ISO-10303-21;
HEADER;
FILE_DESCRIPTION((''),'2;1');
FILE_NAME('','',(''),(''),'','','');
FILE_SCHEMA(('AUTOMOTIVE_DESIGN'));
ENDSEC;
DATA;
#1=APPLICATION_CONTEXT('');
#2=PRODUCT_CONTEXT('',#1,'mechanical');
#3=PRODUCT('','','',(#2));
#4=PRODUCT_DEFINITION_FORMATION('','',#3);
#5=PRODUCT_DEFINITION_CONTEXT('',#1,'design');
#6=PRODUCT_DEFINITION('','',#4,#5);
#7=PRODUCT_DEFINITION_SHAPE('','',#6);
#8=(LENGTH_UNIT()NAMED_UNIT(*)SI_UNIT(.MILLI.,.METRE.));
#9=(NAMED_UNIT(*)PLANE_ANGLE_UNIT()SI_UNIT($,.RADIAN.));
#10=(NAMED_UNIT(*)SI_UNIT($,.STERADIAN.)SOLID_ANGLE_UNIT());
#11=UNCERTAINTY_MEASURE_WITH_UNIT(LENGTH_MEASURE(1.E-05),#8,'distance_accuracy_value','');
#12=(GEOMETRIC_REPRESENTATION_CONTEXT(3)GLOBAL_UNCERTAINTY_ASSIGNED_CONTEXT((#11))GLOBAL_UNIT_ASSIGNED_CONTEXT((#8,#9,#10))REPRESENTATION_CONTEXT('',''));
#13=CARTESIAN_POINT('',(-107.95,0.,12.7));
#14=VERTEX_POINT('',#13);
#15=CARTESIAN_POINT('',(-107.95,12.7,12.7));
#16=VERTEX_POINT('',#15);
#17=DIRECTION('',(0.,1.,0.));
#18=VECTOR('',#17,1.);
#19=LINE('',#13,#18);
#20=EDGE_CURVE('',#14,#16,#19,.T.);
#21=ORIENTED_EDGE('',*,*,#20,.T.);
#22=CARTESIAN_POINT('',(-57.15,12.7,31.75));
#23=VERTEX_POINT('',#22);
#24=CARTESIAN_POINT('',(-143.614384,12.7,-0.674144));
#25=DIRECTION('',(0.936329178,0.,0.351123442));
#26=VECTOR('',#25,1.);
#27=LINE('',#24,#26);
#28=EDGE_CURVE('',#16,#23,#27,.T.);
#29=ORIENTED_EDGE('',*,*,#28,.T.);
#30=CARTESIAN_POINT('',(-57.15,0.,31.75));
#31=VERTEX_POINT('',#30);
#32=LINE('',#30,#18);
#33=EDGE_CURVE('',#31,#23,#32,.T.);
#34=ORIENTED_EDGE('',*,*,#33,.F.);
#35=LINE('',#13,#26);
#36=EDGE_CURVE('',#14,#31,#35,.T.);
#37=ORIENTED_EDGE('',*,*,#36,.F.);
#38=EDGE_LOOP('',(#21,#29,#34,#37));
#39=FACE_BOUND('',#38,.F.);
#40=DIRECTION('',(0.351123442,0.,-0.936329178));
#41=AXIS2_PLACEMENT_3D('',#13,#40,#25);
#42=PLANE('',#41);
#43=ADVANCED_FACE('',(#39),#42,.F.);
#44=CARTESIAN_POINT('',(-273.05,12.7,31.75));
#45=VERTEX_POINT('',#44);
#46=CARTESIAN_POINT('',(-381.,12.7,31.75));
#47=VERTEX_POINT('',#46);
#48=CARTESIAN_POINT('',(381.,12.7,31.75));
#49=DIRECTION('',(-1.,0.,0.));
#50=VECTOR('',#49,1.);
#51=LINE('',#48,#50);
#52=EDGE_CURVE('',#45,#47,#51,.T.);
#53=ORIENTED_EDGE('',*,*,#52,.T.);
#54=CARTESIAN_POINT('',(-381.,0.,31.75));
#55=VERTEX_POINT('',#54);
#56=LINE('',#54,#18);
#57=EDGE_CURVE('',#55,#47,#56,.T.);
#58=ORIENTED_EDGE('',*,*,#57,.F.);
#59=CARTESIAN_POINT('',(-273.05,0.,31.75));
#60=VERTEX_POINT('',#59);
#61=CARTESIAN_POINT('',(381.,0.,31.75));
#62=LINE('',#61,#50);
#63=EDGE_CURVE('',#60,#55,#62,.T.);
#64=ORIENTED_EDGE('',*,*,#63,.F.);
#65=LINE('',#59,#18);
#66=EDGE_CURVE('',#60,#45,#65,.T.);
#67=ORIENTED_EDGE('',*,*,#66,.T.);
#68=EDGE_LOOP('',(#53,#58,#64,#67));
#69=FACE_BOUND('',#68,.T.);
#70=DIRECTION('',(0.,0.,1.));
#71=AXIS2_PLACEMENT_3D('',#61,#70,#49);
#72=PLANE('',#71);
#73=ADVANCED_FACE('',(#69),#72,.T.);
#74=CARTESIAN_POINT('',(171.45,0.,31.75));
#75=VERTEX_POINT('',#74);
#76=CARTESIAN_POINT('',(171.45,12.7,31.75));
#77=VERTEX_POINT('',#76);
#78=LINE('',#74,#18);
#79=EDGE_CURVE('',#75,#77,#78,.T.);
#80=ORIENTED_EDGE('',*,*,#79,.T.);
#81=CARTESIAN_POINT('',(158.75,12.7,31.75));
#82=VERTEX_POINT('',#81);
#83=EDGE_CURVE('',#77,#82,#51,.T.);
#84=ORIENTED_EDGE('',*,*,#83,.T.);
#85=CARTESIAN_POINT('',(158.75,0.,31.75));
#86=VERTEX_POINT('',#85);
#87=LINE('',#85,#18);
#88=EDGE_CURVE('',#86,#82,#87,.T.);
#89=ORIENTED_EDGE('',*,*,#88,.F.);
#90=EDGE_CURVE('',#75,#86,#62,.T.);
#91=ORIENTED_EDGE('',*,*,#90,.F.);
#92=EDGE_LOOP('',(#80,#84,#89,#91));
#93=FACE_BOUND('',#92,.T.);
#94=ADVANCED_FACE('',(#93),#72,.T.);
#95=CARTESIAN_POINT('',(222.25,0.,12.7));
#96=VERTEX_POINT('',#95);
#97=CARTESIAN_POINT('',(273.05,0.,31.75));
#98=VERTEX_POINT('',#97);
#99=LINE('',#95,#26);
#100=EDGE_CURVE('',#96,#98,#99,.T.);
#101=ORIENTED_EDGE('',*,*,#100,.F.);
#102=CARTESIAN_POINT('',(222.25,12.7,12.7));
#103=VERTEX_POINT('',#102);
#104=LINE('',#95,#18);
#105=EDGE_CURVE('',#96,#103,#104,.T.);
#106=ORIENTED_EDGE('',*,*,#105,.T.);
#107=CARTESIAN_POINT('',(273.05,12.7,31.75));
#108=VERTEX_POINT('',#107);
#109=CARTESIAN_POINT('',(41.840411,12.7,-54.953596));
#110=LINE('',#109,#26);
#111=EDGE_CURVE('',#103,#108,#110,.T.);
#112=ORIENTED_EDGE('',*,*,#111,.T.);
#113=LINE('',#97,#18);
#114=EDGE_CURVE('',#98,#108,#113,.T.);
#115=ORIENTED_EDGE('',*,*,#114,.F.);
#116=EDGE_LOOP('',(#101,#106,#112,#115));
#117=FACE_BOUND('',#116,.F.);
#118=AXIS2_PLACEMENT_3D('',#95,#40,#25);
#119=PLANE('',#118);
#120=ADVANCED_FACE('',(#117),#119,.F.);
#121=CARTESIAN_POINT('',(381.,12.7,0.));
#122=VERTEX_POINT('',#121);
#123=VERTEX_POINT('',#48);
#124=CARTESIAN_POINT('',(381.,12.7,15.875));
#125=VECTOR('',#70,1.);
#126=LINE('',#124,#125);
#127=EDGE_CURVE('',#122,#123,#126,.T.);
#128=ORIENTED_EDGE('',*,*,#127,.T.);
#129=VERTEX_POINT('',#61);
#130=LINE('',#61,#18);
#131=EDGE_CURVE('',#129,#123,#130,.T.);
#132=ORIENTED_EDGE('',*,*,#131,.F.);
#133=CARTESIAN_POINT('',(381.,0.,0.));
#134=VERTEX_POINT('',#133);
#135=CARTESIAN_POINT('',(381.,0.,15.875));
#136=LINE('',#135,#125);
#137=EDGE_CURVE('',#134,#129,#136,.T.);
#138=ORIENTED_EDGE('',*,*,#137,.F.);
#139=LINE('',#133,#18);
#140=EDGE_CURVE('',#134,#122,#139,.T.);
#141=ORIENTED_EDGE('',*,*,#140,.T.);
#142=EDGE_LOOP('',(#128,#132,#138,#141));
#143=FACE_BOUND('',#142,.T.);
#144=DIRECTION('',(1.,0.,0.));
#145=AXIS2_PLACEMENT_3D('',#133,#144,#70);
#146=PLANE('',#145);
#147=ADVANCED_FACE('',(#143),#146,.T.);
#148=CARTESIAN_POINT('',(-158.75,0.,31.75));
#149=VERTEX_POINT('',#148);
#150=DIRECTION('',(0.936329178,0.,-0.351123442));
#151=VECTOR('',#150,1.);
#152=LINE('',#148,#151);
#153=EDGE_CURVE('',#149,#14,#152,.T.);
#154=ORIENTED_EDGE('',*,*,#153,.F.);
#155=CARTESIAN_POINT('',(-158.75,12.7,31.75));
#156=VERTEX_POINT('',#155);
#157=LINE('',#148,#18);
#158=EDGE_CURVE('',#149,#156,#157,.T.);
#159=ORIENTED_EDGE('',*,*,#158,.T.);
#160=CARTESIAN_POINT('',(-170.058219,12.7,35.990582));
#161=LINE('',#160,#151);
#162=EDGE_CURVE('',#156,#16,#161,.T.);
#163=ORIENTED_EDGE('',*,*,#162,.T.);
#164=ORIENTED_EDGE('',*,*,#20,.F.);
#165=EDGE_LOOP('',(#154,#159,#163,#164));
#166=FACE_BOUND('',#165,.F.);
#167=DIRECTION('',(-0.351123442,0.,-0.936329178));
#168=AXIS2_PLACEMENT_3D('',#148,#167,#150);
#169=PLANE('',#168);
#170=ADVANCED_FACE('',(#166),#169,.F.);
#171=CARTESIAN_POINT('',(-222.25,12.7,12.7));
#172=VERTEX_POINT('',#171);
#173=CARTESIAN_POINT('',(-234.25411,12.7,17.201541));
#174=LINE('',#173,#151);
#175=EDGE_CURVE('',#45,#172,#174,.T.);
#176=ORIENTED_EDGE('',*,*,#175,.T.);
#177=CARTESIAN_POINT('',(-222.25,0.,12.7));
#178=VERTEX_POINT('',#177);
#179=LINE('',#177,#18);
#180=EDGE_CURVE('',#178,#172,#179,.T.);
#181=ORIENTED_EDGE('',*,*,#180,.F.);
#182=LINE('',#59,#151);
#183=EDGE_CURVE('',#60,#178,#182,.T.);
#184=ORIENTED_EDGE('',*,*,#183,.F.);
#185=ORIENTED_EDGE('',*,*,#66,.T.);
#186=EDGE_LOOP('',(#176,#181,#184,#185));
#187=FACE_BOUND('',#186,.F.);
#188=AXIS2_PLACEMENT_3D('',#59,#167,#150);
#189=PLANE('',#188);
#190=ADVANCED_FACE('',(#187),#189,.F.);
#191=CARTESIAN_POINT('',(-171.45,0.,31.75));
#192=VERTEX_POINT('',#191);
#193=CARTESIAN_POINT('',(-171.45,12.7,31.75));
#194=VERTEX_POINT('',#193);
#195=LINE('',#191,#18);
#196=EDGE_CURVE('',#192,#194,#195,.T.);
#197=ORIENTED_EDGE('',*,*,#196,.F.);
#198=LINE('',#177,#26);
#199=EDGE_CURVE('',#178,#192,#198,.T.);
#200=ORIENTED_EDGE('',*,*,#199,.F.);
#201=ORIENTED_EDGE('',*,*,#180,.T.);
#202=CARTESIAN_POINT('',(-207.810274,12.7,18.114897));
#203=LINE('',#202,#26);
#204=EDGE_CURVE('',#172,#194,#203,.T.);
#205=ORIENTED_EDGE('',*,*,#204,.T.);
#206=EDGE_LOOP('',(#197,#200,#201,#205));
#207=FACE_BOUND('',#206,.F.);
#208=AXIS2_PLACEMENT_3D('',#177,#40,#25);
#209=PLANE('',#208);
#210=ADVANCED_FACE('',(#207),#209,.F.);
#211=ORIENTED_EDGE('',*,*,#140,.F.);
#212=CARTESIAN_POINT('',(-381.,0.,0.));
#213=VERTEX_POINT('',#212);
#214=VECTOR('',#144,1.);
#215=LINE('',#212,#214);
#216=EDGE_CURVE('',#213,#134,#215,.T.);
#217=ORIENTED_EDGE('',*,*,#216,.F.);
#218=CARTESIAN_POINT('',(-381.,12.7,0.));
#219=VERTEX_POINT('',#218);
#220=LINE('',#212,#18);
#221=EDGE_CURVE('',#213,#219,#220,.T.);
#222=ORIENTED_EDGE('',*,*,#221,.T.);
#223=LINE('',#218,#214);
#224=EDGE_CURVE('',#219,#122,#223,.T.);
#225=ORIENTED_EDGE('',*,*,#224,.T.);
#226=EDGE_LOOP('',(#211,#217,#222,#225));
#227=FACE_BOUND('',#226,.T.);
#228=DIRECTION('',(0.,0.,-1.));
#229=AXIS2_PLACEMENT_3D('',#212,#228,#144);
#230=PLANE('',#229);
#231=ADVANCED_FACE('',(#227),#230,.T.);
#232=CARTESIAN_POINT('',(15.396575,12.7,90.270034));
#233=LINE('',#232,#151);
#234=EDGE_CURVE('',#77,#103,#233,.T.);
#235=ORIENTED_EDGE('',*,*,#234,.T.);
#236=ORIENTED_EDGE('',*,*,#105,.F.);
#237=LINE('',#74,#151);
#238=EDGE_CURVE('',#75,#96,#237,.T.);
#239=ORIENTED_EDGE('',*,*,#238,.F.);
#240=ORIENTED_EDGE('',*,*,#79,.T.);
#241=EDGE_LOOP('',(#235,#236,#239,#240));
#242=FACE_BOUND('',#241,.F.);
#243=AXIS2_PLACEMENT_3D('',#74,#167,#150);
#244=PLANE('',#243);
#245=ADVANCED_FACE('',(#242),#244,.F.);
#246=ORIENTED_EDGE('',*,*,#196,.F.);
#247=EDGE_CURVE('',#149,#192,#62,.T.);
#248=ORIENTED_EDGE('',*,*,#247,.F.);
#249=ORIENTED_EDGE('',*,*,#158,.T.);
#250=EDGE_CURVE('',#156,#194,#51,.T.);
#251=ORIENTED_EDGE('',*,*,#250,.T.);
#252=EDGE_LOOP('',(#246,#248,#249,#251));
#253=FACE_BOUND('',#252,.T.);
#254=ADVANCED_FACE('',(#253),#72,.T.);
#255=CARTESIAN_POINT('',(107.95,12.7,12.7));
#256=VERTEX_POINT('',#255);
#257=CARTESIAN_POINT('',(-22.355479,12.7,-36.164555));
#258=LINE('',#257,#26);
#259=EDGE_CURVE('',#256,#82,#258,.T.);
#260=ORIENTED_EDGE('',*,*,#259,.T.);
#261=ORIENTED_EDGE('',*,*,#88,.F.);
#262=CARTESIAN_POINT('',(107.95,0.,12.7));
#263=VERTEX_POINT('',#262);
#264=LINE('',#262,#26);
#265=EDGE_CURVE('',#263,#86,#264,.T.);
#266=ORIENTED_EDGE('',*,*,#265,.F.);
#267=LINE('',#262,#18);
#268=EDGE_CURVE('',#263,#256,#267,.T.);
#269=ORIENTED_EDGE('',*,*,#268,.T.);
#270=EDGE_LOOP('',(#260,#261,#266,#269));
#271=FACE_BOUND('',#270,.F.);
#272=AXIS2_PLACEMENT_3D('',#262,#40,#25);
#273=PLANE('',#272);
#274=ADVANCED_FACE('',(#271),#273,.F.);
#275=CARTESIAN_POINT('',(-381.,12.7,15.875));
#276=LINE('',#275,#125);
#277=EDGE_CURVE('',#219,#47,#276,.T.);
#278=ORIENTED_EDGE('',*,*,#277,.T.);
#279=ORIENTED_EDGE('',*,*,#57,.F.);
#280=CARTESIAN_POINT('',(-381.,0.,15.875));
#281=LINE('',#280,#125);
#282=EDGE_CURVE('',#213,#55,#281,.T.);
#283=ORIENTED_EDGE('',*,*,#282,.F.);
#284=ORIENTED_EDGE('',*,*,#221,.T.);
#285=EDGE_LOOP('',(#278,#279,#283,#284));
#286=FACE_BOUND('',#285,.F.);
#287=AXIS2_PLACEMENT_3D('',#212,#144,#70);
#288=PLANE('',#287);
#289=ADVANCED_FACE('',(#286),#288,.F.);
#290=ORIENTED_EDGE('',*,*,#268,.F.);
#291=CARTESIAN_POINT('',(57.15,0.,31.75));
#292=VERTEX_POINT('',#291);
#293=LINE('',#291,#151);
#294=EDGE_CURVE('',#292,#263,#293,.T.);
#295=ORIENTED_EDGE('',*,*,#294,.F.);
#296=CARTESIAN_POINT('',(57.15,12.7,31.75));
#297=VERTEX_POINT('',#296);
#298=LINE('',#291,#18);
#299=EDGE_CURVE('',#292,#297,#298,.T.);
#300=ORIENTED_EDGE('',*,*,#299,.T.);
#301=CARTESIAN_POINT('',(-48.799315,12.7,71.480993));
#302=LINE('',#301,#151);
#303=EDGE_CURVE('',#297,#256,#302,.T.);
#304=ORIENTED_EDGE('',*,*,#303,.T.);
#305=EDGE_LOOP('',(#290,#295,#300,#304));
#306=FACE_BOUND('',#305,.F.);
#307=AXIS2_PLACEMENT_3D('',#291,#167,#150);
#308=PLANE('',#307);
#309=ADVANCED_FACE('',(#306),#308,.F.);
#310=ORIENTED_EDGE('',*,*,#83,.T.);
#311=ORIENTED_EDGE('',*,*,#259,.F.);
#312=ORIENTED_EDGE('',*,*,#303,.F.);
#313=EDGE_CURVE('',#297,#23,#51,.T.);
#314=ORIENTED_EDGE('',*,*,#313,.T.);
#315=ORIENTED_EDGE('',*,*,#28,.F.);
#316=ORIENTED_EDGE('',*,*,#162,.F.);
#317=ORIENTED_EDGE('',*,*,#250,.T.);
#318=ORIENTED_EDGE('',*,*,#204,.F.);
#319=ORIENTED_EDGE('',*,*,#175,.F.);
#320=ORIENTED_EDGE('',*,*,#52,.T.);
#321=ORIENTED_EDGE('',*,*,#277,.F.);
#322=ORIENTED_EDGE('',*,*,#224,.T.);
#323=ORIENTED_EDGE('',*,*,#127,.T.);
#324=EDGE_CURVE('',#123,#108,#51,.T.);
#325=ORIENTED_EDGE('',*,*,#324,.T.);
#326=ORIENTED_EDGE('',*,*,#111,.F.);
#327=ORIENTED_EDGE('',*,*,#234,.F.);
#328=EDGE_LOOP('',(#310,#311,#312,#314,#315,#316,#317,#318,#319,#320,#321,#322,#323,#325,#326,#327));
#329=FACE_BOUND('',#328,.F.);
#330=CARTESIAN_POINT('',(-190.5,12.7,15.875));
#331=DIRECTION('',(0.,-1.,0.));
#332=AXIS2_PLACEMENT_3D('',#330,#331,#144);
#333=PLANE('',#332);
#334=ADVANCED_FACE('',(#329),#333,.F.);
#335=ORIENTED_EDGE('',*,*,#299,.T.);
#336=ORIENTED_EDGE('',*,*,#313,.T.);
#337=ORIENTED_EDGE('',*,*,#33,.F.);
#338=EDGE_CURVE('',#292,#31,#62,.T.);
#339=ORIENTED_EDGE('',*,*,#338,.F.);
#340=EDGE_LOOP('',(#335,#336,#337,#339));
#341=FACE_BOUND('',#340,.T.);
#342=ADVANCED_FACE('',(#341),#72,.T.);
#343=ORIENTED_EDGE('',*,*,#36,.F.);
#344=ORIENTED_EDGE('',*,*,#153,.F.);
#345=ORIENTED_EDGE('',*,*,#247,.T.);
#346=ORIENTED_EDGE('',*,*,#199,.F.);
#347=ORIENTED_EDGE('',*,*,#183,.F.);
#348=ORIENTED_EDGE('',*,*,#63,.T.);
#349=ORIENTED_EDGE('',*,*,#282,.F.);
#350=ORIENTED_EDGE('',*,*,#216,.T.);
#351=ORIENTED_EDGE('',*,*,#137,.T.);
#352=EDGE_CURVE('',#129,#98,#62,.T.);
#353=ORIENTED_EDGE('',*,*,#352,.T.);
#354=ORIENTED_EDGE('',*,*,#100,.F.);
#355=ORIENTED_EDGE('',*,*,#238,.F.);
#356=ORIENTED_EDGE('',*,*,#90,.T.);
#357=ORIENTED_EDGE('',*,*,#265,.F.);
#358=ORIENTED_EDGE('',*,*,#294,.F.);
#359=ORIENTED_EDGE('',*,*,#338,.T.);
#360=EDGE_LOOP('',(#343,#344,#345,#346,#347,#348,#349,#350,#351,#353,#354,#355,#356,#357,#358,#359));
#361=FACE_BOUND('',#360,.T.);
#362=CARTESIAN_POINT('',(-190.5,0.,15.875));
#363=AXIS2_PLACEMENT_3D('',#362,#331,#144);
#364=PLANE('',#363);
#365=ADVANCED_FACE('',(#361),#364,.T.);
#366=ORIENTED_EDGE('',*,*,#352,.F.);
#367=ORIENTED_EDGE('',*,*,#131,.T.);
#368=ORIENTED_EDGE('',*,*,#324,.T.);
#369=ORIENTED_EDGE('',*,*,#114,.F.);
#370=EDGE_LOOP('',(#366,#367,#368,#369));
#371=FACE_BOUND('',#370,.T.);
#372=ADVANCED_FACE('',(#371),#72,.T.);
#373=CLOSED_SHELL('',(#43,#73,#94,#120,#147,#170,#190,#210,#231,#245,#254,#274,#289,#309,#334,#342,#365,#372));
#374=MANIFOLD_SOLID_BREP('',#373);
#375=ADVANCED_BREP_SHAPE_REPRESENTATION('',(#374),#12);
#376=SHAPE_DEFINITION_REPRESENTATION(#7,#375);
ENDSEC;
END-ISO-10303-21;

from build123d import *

# Parameters (mm, degrees)
F0_W     = 381
F0_H     = 31.75
F1_DEPTH = 12.7
F3_DEPTH = 12.701


with BuildPart() as f1:
    # F0 (on Front) → F1 (new body)
    with BuildSketch(Plane.XZ):
        with Locations((-190.5, 15.875)):
            Rectangle(F0_W, F0_H)
        with Locations((190.5, 15.875)):
            Rectangle(F0_W, F0_H)
    extrude(amount=-F1_DEPTH)

    # F2 (on face) → F3 (cut, through all)
    with BuildSketch(Plane.XZ):
        Polygon((-107.95, 12.7), (-57.15, 31.75), (-158.75, 31.75), align=None)
        Polygon((-273.05, 31.75), (-222.25, 12.7), (-171.45, 31.75), align=None)
        Polygon((57.15, 31.75), (107.95, 12.7), (158.75, 31.75), align=None)
        Polygon((171.45, 31.75), (222.25, 12.7), (273.05, 31.75), align=None)
    extrude(amount=-F3_DEPTH, mode=Mode.SUBTRACT)


solid = f1.part
